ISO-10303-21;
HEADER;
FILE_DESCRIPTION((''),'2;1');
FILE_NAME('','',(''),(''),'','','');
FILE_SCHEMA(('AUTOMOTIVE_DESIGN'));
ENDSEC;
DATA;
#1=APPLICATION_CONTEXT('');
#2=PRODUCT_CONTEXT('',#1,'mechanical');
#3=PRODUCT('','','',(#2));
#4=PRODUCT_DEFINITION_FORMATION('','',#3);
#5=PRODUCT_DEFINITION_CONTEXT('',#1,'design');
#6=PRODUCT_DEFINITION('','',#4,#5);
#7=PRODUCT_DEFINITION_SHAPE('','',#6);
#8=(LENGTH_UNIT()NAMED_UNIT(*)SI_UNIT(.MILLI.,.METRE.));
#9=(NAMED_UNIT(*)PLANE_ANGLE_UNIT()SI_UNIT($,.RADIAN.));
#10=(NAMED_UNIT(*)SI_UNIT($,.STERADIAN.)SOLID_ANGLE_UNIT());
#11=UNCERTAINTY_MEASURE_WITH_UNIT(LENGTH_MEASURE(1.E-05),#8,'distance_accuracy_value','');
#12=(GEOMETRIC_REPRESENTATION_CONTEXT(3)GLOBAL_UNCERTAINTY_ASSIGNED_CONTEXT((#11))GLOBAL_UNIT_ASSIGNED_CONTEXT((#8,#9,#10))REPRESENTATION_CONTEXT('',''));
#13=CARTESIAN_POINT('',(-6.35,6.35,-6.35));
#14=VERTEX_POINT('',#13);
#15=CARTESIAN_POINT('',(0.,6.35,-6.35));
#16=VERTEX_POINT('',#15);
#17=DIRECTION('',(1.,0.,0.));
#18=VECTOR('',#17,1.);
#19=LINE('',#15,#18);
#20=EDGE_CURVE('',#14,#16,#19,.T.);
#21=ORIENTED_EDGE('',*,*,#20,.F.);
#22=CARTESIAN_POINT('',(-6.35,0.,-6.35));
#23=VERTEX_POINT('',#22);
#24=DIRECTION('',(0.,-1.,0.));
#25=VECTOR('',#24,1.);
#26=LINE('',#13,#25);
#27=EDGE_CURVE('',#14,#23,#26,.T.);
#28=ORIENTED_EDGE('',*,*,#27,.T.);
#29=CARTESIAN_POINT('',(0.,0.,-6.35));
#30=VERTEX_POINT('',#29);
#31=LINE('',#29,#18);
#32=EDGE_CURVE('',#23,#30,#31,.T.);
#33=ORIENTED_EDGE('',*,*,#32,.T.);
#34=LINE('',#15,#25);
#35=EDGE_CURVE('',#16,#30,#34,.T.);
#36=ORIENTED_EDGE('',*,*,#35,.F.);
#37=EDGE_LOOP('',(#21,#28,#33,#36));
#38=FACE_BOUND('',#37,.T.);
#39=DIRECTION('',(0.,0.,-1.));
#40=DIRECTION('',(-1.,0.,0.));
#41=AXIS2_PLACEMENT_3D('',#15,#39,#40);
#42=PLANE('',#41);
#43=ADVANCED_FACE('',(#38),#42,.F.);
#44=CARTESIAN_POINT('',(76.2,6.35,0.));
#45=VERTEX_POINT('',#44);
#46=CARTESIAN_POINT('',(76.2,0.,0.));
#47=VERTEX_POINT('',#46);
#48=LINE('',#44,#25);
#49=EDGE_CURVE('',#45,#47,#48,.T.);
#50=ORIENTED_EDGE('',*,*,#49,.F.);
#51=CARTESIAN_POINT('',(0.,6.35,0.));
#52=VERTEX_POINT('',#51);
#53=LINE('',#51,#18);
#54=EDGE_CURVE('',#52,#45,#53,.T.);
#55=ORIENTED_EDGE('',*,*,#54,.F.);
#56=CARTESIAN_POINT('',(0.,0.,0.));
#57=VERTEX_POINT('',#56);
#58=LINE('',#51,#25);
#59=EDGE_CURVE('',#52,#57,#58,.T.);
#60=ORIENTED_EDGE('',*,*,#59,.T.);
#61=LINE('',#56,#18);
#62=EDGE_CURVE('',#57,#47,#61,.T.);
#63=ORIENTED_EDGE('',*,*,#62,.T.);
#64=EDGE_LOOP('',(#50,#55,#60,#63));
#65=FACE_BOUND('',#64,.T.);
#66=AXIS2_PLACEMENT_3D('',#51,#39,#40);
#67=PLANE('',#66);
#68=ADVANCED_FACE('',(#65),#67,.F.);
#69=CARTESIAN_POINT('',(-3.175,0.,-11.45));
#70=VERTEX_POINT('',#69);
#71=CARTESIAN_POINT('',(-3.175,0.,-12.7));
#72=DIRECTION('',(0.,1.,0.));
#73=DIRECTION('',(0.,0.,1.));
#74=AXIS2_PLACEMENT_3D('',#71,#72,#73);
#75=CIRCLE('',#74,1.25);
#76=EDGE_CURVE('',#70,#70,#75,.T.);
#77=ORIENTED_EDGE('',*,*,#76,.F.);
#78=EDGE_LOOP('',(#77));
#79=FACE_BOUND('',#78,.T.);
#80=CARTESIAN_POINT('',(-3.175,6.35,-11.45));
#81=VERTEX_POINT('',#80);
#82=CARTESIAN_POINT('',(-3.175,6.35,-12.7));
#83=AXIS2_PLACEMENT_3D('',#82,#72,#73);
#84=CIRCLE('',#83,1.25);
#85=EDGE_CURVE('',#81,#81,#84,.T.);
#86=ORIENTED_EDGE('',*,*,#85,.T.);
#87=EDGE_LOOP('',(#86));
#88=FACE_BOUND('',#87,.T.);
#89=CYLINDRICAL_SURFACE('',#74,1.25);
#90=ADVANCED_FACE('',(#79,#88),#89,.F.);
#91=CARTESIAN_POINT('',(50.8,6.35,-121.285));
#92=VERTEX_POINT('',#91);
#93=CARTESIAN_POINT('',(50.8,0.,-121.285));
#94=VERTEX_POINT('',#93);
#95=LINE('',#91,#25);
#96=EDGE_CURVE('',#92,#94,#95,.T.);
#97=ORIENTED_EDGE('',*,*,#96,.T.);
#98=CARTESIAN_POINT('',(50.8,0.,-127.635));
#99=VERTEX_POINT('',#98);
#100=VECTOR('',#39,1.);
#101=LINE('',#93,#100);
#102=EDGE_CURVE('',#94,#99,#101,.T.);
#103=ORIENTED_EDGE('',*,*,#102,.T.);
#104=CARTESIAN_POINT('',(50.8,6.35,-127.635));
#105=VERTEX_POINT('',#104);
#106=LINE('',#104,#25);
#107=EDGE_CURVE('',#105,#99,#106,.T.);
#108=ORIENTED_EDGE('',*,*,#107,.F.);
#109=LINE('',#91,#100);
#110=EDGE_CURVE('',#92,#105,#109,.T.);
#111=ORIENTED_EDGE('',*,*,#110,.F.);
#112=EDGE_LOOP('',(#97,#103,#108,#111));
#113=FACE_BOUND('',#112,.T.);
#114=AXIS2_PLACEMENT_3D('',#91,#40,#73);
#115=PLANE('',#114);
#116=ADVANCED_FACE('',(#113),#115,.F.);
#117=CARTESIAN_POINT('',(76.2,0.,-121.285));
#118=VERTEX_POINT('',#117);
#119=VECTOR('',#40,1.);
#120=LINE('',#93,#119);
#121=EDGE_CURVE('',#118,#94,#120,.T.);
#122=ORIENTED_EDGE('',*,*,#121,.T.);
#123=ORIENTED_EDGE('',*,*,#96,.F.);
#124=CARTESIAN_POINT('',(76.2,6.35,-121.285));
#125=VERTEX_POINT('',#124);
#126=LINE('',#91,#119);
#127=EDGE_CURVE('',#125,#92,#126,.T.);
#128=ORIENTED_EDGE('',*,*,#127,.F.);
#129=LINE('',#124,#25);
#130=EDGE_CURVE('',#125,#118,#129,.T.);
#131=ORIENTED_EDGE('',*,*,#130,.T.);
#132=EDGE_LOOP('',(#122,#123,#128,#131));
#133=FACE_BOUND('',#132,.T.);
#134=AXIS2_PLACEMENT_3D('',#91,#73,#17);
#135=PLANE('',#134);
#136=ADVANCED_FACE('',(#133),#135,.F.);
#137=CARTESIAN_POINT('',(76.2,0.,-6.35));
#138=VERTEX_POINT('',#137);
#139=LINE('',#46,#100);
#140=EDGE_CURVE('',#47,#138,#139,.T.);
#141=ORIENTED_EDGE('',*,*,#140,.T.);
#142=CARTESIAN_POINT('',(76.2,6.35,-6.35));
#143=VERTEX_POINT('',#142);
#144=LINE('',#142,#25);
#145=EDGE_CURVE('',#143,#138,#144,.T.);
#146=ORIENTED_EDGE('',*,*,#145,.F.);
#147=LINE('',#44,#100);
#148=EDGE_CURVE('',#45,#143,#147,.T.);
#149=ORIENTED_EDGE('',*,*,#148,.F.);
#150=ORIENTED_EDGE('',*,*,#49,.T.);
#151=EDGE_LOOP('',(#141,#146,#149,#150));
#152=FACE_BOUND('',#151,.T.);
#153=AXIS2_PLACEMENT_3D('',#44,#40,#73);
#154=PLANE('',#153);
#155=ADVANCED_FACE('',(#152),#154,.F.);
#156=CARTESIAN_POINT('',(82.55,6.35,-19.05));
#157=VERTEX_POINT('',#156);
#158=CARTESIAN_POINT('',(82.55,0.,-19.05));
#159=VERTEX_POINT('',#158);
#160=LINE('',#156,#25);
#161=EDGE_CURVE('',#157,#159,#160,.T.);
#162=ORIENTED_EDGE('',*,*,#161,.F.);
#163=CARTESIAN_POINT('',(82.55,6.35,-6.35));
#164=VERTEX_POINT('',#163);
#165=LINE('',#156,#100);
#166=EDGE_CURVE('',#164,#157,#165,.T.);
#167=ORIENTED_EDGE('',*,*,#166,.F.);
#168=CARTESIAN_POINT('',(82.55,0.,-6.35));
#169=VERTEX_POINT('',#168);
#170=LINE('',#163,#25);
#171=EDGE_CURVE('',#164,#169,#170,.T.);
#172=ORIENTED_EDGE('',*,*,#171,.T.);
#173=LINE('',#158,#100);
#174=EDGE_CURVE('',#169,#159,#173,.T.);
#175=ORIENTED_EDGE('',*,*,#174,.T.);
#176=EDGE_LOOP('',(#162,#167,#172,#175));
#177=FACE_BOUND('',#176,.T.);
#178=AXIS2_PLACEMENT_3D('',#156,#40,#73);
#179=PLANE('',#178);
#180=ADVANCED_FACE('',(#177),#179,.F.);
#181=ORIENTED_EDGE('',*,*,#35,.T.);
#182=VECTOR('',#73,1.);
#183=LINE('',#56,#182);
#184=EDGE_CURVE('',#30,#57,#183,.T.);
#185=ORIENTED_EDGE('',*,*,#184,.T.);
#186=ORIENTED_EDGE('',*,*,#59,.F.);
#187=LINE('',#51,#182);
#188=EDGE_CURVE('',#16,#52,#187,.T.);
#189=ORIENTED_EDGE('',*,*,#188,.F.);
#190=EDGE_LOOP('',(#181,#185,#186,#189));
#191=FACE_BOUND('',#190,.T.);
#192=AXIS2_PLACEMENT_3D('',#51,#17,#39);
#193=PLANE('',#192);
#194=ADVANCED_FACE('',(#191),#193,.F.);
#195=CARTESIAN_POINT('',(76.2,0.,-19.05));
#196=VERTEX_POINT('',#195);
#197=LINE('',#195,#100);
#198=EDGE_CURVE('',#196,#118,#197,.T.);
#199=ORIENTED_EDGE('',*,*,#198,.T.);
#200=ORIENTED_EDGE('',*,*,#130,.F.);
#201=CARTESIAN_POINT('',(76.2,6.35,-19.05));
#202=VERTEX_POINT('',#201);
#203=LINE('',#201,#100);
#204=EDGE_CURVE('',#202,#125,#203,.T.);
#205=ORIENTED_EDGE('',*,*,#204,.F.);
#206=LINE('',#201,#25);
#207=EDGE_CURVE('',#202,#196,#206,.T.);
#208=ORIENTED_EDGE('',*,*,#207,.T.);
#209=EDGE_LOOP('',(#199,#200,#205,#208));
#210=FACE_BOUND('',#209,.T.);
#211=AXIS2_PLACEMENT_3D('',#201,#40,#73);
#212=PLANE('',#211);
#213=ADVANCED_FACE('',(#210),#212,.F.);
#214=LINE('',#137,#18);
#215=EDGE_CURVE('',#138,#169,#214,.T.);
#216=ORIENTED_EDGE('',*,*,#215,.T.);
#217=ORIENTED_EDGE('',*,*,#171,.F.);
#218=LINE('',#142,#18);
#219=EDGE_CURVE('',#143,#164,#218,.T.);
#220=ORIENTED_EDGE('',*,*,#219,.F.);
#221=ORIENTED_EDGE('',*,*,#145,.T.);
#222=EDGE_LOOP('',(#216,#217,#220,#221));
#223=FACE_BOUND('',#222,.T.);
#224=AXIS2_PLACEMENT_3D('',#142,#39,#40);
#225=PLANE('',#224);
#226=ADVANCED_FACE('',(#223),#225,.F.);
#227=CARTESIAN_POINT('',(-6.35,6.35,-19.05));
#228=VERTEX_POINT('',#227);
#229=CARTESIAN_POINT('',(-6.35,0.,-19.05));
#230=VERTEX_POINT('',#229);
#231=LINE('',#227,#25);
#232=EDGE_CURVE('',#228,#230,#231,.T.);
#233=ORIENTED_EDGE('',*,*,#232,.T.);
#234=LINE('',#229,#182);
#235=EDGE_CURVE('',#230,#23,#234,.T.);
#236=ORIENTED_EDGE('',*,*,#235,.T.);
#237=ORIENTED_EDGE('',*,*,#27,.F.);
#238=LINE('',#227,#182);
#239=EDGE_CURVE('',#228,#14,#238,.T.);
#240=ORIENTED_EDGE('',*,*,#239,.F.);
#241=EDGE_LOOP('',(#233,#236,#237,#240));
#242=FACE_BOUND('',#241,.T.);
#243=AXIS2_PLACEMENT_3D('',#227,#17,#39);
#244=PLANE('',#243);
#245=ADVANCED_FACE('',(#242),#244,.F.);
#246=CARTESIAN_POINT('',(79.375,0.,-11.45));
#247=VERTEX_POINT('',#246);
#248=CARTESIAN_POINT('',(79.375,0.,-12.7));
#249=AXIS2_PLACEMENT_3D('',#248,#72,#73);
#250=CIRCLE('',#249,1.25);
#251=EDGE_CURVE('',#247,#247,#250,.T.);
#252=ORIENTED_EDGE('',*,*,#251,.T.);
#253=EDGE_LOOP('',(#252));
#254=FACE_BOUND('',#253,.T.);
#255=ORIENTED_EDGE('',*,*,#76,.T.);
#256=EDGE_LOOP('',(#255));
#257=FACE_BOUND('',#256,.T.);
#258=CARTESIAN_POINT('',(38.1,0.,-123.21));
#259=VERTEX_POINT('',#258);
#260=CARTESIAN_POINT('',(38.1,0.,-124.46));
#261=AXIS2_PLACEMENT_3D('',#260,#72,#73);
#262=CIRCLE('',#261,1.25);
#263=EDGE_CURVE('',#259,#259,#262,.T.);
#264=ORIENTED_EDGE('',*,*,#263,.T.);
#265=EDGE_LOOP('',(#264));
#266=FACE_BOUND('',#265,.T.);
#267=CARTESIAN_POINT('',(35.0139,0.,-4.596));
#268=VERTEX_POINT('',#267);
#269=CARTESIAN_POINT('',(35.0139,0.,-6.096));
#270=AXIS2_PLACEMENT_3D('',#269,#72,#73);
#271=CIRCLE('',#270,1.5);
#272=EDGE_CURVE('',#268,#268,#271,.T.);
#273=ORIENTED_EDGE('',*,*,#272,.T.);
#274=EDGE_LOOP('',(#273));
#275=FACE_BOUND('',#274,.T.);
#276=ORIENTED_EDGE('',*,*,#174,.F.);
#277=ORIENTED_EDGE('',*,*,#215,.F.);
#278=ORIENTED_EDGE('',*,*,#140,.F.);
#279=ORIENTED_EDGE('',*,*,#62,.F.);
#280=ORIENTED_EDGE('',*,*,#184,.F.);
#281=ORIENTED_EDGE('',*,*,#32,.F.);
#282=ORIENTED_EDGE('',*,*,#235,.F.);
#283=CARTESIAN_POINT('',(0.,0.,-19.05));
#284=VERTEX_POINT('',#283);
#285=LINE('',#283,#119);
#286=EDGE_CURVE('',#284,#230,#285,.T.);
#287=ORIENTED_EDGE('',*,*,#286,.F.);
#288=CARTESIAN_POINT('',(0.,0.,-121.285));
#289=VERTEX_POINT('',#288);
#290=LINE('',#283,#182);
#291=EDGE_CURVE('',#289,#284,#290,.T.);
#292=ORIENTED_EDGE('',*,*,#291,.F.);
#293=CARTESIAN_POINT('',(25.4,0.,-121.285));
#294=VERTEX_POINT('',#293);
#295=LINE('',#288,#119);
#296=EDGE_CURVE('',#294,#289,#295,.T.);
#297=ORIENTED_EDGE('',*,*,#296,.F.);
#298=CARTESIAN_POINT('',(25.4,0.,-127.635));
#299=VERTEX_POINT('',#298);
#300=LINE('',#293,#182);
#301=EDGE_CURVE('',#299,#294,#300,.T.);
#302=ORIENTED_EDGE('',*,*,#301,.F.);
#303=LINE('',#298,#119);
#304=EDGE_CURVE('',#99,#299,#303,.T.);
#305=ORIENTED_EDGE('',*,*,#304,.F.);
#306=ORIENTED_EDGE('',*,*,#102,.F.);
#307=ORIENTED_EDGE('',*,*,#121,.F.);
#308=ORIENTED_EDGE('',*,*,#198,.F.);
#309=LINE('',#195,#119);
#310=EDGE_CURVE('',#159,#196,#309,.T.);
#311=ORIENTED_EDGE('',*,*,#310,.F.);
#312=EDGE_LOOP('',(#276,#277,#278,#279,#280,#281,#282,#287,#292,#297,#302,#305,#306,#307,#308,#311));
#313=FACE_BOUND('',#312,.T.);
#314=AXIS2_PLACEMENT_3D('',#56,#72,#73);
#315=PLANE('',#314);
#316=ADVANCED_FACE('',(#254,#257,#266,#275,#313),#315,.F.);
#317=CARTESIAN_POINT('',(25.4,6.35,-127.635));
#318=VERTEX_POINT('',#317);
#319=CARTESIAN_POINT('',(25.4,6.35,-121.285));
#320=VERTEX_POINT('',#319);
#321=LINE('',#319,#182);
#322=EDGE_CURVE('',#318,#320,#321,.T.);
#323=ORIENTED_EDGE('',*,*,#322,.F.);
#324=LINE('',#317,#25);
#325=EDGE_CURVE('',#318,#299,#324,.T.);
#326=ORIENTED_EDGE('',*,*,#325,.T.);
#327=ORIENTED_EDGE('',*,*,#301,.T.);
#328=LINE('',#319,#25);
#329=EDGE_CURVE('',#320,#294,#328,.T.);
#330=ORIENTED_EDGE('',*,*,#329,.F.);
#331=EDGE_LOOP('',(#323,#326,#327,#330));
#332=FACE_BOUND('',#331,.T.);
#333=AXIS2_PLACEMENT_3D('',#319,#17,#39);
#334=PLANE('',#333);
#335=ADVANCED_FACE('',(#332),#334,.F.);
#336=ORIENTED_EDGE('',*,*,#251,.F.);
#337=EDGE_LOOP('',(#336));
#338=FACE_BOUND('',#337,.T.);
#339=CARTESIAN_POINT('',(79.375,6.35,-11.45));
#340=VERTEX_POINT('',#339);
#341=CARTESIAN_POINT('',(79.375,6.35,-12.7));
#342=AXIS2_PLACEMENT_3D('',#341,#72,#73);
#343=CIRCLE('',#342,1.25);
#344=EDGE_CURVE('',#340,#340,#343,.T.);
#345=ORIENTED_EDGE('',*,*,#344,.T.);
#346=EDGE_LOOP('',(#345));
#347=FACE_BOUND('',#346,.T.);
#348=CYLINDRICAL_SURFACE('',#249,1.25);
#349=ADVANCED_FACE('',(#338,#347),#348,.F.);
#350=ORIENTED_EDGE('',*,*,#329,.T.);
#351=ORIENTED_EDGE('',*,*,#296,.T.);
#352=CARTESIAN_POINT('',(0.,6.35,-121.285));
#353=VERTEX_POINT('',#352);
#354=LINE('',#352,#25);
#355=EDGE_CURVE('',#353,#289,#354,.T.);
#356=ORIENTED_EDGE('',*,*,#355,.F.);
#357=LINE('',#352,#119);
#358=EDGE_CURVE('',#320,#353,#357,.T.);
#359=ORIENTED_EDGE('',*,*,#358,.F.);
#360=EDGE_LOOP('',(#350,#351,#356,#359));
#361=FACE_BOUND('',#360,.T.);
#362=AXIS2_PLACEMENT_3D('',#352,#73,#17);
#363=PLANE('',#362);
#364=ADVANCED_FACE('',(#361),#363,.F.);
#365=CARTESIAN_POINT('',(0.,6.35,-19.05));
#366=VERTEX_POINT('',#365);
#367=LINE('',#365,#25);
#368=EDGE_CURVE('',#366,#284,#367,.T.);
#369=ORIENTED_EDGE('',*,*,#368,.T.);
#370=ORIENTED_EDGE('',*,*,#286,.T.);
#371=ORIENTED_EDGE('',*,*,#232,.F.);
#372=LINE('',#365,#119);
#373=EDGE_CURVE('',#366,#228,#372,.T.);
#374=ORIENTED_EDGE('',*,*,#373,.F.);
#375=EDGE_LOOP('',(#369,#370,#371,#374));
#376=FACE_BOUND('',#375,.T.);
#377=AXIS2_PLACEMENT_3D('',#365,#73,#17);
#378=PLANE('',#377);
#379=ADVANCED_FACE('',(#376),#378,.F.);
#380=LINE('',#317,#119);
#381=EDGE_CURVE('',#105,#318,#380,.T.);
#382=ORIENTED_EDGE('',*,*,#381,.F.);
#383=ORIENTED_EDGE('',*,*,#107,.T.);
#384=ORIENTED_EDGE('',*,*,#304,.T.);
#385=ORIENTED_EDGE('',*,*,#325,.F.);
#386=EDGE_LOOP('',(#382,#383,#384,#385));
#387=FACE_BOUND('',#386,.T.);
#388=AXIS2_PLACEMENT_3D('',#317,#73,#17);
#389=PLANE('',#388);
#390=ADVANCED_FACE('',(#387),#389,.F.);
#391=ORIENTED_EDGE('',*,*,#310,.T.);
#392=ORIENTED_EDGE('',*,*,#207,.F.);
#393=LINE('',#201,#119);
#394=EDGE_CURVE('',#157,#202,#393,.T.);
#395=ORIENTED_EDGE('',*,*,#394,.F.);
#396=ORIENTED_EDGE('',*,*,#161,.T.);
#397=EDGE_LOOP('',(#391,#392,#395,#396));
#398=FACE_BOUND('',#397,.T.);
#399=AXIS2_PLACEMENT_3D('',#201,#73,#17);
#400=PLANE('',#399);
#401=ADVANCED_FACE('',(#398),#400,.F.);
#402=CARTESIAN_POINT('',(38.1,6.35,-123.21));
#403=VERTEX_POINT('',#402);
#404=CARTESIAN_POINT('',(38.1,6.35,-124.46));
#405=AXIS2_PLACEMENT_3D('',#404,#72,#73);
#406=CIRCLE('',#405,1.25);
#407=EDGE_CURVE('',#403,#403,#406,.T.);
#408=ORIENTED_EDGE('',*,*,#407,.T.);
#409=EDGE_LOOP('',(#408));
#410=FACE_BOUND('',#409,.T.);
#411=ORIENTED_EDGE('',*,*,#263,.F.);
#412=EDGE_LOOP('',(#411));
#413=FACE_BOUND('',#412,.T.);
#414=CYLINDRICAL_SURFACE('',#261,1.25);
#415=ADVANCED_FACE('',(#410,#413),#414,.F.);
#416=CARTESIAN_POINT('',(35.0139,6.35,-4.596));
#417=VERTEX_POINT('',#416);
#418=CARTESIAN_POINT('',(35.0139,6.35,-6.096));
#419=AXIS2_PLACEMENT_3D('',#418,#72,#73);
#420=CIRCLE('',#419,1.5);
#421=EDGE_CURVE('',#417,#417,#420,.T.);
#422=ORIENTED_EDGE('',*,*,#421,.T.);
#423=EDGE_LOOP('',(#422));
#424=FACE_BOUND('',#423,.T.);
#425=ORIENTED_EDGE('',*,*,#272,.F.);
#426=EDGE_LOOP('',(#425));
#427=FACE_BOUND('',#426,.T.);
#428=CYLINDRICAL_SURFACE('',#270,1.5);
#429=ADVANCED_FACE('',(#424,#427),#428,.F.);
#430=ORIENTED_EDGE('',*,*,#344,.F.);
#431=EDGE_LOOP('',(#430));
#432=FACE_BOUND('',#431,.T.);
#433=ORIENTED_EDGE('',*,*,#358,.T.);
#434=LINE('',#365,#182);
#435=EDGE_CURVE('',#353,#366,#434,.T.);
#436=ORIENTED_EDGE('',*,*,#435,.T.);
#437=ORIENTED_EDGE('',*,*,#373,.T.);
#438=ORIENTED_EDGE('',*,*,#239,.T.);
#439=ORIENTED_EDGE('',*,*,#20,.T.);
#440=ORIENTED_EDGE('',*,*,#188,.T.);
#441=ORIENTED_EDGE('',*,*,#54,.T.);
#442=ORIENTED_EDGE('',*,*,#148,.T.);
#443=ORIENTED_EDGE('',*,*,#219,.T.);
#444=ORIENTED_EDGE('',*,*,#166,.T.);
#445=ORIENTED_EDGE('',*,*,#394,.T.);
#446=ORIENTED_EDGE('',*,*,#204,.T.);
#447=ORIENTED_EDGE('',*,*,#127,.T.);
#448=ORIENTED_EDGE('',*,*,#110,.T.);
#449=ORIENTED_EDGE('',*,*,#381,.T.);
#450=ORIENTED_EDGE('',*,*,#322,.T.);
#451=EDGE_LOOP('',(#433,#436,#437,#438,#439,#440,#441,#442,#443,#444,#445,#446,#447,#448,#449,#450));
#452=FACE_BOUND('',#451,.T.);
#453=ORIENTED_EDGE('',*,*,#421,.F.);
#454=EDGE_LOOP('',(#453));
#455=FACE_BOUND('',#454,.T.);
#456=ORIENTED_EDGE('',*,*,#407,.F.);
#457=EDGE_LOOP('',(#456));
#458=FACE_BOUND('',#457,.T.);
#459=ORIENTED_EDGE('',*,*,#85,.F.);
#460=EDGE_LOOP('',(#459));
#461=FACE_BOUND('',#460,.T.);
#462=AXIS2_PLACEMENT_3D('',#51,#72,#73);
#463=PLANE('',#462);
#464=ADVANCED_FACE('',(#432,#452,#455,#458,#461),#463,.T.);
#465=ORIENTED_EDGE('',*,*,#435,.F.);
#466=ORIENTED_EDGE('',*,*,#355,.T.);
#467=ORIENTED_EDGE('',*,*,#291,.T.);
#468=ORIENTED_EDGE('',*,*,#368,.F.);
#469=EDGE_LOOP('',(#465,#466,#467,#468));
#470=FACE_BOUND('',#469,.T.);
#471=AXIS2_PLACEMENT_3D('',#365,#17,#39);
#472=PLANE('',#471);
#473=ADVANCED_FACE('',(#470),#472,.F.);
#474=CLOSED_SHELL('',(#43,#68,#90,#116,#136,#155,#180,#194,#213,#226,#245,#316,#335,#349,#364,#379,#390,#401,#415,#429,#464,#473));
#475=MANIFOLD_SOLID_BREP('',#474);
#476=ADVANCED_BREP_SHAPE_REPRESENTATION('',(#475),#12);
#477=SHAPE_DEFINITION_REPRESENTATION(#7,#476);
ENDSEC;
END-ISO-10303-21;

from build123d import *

# Parameters (mm, degrees)
BOSS_EXTRUDE1_DEPTH = 6.35
SKETCH2_R           = 1.5
CUT_EXTRUDE1_DEPTH  = 7.35
SKETCH3_R           = 1.25
CUT_EXTRUDE2_DEPTH  = 7.35


with BuildPart() as part:
    # Sketch1 → Boss-Extrude1 (new body)
    with BuildSketch(Plane(origin=(0, 0, 0), x_dir=(1, 0, 0), z_dir=(0, 1, 0))):
        Polygon((50.8, 121.285), (76.2, 121.285), (76.2, 19.05), (82.55, 19.05), (82.55, 6.35), (76.2, 6.35), (76.2, 0), (0, 0), (0, 6.35), (-6.35, 6.35), (-6.35, 19.05), (0, 19.05), (0, 121.285), (25.4, 121.285), (25.4, 127.635), (50.8, 127.635), align=None)
    extrude(amount=BOSS_EXTRUDE1_DEPTH)

    # Sketch2 → Cut-Extrude1 (cut, through all)
    with BuildSketch(Plane(origin=(0, 6.35, 0), x_dir=(1, 0, 0), z_dir=(0, 1, 0))):
        with Locations((35.0139, 6.096)):
            Circle(SKETCH2_R)
    extrude(amount=-CUT_EXTRUDE1_DEPTH, mode=Mode.SUBTRACT)

    # Sketch3 → Cut-Extrude2 (cut, through all)
    with BuildSketch(Plane(origin=(0, 6.35, 0), x_dir=(1, 0, 0), z_dir=(0, 1, 0))):
        with Locations((-3.175, 12.7)):
            Circle(SKETCH3_R)
        with Locations((79.375, 12.7)):
            Circle(SKETCH3_R)
        with Locations((38.1, 124.46)):
            Circle(SKETCH3_R)
    extrude(amount=-CUT_EXTRUDE2_DEPTH, mode=Mode.SUBTRACT)


solid = part.part
